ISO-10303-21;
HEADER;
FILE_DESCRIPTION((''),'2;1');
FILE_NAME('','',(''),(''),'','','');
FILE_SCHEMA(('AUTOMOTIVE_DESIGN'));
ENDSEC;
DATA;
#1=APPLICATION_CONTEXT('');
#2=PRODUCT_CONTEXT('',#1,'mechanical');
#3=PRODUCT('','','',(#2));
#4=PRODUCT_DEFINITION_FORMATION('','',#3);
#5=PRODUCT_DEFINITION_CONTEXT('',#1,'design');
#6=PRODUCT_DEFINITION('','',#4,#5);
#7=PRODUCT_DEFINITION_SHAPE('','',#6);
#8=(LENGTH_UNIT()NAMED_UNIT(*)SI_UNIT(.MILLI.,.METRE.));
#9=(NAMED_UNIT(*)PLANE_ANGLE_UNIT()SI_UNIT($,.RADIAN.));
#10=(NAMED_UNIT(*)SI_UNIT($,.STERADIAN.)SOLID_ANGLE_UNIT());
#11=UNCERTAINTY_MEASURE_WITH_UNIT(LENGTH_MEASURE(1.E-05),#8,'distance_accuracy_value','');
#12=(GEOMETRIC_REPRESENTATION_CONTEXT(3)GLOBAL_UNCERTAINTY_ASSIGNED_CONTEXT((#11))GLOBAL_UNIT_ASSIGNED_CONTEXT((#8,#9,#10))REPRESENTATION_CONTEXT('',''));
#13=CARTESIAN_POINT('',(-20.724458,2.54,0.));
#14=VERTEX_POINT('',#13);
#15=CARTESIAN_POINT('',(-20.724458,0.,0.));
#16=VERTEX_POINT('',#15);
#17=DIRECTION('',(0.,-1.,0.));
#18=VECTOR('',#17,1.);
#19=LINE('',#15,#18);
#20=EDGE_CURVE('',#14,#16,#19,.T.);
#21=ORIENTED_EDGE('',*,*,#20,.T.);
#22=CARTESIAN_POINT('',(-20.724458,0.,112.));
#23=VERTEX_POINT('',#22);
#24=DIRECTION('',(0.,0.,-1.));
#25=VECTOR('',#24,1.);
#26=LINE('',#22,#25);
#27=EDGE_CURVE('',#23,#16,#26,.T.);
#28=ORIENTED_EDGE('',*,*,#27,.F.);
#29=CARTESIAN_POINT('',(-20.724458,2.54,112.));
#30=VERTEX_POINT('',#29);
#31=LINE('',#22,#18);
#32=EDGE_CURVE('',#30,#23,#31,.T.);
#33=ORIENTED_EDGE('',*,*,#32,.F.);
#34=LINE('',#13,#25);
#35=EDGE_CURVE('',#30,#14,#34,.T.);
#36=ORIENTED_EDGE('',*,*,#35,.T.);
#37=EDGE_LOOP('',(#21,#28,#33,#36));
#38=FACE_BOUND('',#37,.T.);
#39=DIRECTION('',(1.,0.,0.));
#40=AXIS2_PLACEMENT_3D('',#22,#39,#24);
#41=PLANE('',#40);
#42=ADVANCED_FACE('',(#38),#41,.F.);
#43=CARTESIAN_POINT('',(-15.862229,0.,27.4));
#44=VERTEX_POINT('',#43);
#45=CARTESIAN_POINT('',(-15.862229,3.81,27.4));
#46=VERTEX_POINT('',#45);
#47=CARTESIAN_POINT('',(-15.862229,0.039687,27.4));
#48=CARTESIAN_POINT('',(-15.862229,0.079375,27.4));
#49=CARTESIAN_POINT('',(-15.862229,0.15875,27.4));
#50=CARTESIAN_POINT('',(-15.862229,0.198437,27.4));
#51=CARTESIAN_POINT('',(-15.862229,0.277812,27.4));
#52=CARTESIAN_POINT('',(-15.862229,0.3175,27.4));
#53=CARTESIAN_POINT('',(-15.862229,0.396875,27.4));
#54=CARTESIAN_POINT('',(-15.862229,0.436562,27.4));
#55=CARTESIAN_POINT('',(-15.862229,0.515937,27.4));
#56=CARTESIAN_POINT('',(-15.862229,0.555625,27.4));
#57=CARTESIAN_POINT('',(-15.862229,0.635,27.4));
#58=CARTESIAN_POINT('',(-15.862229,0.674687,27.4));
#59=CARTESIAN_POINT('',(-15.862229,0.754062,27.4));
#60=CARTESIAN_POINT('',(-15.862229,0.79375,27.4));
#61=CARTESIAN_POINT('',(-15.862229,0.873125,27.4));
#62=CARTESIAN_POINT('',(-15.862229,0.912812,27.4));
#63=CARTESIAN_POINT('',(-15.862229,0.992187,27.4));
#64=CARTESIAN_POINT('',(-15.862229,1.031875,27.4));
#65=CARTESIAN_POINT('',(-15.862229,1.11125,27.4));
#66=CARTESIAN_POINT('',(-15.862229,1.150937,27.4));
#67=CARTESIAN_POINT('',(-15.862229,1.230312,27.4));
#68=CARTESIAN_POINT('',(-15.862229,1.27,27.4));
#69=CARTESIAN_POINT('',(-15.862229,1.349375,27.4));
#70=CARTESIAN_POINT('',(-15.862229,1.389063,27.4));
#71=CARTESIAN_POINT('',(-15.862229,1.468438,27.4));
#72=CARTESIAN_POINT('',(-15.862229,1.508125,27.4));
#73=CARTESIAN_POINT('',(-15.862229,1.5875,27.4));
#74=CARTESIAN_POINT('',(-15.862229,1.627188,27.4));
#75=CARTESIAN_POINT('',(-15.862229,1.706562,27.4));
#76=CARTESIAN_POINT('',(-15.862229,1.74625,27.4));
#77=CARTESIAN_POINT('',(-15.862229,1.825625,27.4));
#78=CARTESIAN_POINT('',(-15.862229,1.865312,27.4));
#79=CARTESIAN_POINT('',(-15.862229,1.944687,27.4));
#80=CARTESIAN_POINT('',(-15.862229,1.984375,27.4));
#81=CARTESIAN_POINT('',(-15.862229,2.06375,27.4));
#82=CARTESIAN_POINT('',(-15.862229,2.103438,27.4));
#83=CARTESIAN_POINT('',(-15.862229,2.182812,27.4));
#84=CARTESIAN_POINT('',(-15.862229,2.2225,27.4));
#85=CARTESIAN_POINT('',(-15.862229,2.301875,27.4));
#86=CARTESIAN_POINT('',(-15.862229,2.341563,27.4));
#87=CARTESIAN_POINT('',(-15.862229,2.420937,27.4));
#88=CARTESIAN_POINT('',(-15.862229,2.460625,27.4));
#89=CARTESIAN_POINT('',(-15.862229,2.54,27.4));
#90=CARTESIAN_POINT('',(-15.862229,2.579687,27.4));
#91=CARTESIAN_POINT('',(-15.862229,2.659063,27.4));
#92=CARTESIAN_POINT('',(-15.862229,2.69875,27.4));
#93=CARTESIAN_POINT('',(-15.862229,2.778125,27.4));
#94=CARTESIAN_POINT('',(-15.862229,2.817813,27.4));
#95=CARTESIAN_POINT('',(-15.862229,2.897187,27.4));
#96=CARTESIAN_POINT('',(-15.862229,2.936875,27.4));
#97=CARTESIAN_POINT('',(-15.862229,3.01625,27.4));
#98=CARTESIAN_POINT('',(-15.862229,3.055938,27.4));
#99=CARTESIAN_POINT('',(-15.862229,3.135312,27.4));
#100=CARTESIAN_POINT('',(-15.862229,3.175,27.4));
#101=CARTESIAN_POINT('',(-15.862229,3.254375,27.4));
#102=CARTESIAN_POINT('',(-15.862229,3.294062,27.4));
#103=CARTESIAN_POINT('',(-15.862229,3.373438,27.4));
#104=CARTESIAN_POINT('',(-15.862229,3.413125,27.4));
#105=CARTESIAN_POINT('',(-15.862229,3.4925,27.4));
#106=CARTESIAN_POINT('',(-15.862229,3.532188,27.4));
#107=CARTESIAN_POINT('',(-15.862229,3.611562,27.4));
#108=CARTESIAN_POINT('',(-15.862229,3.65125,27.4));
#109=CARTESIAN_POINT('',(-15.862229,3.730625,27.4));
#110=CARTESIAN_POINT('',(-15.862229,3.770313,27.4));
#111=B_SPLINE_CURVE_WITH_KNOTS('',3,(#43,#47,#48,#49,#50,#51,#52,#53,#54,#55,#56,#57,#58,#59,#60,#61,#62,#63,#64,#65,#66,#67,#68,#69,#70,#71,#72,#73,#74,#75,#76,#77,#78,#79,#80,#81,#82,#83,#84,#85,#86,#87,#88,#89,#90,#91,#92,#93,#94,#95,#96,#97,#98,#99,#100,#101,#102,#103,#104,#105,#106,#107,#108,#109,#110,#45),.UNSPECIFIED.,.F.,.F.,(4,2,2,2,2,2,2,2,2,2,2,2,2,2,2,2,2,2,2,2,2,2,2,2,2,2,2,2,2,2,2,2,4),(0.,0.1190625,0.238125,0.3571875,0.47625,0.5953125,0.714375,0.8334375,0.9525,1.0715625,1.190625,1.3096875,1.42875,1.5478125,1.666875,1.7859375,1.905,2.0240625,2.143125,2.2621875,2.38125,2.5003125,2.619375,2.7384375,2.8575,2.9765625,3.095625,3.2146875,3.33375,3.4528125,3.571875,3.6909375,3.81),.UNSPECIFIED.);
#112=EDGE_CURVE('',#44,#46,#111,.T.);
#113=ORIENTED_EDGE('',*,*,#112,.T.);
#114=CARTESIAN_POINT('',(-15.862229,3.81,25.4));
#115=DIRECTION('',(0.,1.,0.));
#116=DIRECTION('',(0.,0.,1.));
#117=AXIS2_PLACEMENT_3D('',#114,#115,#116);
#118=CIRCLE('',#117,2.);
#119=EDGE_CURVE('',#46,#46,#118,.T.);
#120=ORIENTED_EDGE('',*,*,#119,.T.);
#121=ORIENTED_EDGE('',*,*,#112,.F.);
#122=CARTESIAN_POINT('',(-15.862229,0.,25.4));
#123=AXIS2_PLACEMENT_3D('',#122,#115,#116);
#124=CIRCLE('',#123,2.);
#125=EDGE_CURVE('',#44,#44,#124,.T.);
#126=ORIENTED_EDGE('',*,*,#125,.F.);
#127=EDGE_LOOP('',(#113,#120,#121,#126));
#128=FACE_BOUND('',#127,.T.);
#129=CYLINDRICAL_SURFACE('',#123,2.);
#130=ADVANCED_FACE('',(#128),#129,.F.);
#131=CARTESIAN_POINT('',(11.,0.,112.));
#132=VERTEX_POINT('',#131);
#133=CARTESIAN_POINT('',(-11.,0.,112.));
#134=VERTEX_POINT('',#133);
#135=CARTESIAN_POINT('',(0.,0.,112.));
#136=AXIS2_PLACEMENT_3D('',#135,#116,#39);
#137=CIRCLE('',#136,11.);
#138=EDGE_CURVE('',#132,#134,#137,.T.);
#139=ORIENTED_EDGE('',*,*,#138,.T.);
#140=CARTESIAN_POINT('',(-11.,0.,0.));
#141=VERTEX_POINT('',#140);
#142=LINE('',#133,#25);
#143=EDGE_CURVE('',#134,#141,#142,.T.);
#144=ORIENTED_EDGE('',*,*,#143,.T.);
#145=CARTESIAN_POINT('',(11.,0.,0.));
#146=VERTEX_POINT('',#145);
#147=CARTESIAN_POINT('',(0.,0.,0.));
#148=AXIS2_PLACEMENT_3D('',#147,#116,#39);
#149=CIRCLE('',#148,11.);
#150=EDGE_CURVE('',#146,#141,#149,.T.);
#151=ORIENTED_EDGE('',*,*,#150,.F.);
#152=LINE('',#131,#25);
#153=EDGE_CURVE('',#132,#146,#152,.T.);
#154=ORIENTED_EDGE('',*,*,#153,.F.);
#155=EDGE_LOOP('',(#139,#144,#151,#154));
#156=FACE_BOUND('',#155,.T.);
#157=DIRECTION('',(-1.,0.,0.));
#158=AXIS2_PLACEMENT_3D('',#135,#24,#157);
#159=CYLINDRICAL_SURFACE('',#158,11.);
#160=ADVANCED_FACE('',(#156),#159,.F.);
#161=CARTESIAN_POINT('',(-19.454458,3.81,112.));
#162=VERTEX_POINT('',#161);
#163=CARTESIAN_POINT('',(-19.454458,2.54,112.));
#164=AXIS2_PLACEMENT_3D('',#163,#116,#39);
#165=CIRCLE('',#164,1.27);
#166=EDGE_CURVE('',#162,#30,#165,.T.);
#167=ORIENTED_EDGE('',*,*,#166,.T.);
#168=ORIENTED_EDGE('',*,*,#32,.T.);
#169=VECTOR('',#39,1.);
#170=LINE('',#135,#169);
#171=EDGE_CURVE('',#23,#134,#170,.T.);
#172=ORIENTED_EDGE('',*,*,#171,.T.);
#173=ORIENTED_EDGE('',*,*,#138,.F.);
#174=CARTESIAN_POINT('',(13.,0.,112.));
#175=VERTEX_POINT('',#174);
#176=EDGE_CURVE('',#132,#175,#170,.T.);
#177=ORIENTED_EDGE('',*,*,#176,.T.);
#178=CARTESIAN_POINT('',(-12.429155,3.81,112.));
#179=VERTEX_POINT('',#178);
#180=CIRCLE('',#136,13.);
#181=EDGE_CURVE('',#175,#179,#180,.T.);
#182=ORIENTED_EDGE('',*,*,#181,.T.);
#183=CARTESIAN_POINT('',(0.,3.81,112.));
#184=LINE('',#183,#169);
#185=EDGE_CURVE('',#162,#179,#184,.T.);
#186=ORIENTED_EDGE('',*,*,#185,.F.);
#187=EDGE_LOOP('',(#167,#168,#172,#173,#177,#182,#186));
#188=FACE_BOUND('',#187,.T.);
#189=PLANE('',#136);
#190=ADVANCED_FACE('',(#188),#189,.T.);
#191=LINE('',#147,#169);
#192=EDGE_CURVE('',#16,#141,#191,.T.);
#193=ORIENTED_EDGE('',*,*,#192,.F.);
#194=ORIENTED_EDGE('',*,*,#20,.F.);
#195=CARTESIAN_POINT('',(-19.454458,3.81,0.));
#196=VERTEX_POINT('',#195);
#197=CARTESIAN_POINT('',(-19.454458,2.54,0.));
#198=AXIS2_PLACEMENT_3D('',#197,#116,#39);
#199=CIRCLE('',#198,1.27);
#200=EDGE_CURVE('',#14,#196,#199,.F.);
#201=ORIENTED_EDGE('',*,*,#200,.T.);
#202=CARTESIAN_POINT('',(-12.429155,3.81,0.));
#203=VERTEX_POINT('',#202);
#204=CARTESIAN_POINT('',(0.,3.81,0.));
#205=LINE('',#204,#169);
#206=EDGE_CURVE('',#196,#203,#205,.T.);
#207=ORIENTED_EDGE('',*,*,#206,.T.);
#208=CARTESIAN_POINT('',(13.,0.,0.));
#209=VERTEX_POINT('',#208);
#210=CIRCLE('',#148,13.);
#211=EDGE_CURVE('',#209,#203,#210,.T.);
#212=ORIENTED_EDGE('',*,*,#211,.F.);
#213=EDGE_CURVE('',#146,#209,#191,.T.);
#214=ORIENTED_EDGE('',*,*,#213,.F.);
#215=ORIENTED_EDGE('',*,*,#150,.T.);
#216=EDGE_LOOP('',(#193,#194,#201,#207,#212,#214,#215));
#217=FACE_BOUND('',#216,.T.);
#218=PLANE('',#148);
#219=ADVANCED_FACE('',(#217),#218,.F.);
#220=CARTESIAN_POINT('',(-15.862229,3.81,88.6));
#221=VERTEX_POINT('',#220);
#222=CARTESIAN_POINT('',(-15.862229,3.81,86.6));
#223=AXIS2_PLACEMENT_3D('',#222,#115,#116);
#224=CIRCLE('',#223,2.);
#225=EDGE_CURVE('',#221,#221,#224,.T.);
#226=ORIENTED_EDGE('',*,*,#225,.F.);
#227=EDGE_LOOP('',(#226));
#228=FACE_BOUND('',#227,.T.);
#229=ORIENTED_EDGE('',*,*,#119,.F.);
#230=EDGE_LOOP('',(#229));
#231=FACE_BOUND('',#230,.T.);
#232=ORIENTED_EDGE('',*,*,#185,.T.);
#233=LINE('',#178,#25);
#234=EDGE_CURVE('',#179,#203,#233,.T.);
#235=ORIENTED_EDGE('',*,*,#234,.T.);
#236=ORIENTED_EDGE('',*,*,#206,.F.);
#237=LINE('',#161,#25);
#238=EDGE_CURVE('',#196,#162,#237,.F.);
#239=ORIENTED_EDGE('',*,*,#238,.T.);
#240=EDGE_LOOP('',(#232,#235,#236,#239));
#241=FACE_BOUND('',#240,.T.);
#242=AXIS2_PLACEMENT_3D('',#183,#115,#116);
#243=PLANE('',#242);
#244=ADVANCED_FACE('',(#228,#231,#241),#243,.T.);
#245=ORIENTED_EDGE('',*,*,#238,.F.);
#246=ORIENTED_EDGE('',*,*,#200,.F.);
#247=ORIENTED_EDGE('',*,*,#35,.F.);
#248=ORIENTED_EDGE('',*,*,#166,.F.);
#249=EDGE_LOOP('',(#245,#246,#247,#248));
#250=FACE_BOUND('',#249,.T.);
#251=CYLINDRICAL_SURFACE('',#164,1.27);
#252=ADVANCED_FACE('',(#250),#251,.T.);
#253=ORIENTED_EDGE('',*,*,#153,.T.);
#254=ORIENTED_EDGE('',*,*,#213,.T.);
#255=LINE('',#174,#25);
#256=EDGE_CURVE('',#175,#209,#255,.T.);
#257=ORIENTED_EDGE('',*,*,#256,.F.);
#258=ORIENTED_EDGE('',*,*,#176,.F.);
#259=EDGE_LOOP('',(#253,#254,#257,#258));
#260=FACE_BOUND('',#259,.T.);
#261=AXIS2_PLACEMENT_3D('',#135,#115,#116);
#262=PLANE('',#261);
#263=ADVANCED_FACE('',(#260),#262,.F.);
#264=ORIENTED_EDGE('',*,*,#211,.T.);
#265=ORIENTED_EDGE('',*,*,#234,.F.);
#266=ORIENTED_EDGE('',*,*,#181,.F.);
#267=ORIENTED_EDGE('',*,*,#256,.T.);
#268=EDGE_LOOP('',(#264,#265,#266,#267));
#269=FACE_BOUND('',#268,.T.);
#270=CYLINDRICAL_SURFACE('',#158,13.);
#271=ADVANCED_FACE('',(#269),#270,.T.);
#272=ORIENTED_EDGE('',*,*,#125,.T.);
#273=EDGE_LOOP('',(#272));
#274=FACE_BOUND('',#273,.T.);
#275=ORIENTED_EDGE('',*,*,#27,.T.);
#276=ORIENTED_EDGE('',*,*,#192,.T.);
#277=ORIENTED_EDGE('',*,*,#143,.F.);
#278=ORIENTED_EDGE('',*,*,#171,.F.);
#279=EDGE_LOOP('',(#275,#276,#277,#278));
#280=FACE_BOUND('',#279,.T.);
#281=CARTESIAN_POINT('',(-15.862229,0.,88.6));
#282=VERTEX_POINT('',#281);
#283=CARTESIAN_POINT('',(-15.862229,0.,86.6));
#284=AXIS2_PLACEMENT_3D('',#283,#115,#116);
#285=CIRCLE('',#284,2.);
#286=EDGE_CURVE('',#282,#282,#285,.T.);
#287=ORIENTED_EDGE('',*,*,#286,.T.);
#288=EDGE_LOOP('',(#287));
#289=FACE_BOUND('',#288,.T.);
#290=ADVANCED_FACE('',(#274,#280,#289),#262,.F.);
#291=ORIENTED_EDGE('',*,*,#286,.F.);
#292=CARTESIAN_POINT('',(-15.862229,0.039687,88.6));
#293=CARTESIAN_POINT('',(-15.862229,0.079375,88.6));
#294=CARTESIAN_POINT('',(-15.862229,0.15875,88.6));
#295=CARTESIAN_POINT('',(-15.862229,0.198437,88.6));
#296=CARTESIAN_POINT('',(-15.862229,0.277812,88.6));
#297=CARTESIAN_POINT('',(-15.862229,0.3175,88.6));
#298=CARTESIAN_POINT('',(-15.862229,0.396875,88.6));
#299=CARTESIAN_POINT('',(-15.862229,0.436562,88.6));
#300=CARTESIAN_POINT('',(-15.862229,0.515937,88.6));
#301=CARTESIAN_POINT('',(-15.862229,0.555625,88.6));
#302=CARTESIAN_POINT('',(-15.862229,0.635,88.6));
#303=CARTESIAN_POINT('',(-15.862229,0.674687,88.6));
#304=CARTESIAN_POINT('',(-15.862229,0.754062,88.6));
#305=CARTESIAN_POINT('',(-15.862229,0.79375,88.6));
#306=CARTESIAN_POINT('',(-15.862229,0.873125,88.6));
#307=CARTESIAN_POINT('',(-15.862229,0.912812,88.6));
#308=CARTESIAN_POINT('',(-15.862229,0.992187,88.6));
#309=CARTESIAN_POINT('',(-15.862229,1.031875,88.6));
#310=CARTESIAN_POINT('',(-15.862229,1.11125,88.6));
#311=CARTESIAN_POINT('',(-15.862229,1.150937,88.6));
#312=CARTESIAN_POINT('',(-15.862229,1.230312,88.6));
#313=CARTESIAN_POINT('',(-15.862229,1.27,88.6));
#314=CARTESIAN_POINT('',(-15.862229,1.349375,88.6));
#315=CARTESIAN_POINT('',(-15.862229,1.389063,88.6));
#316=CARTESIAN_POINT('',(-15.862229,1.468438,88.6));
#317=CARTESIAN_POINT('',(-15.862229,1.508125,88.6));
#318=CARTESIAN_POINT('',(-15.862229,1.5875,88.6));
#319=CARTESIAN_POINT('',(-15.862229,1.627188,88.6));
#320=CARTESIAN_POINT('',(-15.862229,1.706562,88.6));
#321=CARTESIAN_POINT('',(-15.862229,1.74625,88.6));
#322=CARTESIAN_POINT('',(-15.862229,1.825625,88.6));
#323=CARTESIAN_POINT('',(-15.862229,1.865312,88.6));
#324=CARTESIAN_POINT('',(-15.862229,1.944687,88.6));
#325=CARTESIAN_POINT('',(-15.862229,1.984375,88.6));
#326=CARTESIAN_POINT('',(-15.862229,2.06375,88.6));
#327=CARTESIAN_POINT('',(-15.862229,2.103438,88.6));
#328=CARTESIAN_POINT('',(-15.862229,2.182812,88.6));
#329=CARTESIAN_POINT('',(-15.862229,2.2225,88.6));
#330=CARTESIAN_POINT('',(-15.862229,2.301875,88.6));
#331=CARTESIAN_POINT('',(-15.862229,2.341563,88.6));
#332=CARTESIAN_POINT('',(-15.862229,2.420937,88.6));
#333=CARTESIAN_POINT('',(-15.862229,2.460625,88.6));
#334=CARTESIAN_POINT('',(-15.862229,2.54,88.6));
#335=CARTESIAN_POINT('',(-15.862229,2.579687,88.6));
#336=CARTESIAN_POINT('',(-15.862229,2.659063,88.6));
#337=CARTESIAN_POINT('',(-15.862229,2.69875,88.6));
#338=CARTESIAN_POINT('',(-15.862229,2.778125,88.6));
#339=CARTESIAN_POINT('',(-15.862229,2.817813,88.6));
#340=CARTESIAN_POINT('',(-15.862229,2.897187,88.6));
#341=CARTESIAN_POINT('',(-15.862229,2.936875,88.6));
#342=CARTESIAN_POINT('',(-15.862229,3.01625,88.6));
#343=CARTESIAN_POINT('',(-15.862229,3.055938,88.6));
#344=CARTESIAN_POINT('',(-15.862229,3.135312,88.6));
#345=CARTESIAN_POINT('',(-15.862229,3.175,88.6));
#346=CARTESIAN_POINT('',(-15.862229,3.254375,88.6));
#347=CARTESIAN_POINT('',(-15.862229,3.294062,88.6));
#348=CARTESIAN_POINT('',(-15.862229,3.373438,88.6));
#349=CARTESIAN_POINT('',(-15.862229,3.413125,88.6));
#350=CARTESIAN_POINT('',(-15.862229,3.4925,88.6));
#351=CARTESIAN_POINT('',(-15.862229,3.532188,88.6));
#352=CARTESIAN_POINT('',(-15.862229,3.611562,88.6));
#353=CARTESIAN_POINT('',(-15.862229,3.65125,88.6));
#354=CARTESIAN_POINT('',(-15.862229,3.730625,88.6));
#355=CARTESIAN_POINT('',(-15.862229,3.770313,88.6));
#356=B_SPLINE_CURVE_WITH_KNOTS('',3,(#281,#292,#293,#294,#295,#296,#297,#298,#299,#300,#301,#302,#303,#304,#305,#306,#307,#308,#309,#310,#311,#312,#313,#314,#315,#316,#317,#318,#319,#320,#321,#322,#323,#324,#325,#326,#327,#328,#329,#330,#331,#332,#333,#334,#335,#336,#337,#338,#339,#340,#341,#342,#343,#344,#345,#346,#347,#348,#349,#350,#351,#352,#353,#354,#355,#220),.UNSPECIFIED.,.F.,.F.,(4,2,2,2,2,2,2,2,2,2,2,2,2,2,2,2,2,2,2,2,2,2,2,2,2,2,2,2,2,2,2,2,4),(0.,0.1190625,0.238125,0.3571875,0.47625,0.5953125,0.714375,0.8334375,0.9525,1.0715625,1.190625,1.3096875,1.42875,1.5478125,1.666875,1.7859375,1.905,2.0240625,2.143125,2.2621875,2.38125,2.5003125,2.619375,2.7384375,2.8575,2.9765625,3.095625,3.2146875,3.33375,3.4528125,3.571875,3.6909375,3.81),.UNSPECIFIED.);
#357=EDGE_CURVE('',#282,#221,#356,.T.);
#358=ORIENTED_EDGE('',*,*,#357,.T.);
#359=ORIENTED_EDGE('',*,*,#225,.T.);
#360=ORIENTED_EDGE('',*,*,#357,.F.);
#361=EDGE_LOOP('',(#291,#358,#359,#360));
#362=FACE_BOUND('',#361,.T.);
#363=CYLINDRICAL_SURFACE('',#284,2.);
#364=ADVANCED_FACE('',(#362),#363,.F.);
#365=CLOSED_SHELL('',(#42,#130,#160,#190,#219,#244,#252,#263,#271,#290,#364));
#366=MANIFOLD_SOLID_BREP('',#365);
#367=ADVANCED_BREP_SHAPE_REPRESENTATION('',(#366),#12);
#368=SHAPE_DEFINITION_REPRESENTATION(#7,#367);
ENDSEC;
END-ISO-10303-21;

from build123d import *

# Parameters (mm, degrees)
BOSS_EXTRUDE1_DEPTH = 112
SKETCH3_R           = 2
CUT_EXTRUDE2_DEPTH  = 115.271427971
FILLET1_R           = 1.27


with BuildPart() as part:
    # Sketch1 → Boss-Extrude1 (new body)
    with BuildSketch(Plane.XY):
        with BuildLine():
            ThreePointArc((-12.429155241, 3.81), (-12.856496765, 1.926263465), (-13, 0))
            Line((-13, 0), (-11, 0))
            ThreePointArc((-11, 0), (0, 11), (11, 0))
            Line((11, 0), (13, 0))
            ThreePointArc((13, 0), (9.192388155, 9.192388155), (0, 13))
            ThreePointArc((0, 13), (-7.728842087, 10.452990003), (-12.429155241, 3.81))
        make_face()
        with BuildLine():
            Line((-20.724457785, 0), (-13, 0))
            ThreePointArc((-13, 0), (-12.856496765, 1.926263465), (-12.429155241, 3.81))
            Line((-12.429155241, 3.81), (-20.724457785, 3.81))
            Line((-20.724457785, 3.81), (-20.724457785, 0))
        make_face()
    extrude(amount=BOSS_EXTRUDE1_DEPTH)

    # Sketch3 → Cut-Extrude2 (cut, through all)
    with BuildSketch(Plane(origin=(0, 3.81, 0), x_dir=(1, 0, 0), z_dir=(0, 1, 0))):
        with Locations(Location((-15.862228893, -25.4, 0), (0, 0, 270))):
            Circle(SKETCH3_R)
        with Locations(Location((-15.862228893, -86.6, 0), (0, 0, 270))):
            Circle(SKETCH3_R)
    extrude(amount=-CUT_EXTRUDE2_DEPTH, mode=Mode.SUBTRACT)

    # Fillet1
    fillet1_edges = [part.edges().sort_by_distance(p)[0] for p in [
        (-20.724457785, 3.81, 56),
    ]]
    fillet(fillet1_edges, radius=FILLET1_R)


solid = part.part
